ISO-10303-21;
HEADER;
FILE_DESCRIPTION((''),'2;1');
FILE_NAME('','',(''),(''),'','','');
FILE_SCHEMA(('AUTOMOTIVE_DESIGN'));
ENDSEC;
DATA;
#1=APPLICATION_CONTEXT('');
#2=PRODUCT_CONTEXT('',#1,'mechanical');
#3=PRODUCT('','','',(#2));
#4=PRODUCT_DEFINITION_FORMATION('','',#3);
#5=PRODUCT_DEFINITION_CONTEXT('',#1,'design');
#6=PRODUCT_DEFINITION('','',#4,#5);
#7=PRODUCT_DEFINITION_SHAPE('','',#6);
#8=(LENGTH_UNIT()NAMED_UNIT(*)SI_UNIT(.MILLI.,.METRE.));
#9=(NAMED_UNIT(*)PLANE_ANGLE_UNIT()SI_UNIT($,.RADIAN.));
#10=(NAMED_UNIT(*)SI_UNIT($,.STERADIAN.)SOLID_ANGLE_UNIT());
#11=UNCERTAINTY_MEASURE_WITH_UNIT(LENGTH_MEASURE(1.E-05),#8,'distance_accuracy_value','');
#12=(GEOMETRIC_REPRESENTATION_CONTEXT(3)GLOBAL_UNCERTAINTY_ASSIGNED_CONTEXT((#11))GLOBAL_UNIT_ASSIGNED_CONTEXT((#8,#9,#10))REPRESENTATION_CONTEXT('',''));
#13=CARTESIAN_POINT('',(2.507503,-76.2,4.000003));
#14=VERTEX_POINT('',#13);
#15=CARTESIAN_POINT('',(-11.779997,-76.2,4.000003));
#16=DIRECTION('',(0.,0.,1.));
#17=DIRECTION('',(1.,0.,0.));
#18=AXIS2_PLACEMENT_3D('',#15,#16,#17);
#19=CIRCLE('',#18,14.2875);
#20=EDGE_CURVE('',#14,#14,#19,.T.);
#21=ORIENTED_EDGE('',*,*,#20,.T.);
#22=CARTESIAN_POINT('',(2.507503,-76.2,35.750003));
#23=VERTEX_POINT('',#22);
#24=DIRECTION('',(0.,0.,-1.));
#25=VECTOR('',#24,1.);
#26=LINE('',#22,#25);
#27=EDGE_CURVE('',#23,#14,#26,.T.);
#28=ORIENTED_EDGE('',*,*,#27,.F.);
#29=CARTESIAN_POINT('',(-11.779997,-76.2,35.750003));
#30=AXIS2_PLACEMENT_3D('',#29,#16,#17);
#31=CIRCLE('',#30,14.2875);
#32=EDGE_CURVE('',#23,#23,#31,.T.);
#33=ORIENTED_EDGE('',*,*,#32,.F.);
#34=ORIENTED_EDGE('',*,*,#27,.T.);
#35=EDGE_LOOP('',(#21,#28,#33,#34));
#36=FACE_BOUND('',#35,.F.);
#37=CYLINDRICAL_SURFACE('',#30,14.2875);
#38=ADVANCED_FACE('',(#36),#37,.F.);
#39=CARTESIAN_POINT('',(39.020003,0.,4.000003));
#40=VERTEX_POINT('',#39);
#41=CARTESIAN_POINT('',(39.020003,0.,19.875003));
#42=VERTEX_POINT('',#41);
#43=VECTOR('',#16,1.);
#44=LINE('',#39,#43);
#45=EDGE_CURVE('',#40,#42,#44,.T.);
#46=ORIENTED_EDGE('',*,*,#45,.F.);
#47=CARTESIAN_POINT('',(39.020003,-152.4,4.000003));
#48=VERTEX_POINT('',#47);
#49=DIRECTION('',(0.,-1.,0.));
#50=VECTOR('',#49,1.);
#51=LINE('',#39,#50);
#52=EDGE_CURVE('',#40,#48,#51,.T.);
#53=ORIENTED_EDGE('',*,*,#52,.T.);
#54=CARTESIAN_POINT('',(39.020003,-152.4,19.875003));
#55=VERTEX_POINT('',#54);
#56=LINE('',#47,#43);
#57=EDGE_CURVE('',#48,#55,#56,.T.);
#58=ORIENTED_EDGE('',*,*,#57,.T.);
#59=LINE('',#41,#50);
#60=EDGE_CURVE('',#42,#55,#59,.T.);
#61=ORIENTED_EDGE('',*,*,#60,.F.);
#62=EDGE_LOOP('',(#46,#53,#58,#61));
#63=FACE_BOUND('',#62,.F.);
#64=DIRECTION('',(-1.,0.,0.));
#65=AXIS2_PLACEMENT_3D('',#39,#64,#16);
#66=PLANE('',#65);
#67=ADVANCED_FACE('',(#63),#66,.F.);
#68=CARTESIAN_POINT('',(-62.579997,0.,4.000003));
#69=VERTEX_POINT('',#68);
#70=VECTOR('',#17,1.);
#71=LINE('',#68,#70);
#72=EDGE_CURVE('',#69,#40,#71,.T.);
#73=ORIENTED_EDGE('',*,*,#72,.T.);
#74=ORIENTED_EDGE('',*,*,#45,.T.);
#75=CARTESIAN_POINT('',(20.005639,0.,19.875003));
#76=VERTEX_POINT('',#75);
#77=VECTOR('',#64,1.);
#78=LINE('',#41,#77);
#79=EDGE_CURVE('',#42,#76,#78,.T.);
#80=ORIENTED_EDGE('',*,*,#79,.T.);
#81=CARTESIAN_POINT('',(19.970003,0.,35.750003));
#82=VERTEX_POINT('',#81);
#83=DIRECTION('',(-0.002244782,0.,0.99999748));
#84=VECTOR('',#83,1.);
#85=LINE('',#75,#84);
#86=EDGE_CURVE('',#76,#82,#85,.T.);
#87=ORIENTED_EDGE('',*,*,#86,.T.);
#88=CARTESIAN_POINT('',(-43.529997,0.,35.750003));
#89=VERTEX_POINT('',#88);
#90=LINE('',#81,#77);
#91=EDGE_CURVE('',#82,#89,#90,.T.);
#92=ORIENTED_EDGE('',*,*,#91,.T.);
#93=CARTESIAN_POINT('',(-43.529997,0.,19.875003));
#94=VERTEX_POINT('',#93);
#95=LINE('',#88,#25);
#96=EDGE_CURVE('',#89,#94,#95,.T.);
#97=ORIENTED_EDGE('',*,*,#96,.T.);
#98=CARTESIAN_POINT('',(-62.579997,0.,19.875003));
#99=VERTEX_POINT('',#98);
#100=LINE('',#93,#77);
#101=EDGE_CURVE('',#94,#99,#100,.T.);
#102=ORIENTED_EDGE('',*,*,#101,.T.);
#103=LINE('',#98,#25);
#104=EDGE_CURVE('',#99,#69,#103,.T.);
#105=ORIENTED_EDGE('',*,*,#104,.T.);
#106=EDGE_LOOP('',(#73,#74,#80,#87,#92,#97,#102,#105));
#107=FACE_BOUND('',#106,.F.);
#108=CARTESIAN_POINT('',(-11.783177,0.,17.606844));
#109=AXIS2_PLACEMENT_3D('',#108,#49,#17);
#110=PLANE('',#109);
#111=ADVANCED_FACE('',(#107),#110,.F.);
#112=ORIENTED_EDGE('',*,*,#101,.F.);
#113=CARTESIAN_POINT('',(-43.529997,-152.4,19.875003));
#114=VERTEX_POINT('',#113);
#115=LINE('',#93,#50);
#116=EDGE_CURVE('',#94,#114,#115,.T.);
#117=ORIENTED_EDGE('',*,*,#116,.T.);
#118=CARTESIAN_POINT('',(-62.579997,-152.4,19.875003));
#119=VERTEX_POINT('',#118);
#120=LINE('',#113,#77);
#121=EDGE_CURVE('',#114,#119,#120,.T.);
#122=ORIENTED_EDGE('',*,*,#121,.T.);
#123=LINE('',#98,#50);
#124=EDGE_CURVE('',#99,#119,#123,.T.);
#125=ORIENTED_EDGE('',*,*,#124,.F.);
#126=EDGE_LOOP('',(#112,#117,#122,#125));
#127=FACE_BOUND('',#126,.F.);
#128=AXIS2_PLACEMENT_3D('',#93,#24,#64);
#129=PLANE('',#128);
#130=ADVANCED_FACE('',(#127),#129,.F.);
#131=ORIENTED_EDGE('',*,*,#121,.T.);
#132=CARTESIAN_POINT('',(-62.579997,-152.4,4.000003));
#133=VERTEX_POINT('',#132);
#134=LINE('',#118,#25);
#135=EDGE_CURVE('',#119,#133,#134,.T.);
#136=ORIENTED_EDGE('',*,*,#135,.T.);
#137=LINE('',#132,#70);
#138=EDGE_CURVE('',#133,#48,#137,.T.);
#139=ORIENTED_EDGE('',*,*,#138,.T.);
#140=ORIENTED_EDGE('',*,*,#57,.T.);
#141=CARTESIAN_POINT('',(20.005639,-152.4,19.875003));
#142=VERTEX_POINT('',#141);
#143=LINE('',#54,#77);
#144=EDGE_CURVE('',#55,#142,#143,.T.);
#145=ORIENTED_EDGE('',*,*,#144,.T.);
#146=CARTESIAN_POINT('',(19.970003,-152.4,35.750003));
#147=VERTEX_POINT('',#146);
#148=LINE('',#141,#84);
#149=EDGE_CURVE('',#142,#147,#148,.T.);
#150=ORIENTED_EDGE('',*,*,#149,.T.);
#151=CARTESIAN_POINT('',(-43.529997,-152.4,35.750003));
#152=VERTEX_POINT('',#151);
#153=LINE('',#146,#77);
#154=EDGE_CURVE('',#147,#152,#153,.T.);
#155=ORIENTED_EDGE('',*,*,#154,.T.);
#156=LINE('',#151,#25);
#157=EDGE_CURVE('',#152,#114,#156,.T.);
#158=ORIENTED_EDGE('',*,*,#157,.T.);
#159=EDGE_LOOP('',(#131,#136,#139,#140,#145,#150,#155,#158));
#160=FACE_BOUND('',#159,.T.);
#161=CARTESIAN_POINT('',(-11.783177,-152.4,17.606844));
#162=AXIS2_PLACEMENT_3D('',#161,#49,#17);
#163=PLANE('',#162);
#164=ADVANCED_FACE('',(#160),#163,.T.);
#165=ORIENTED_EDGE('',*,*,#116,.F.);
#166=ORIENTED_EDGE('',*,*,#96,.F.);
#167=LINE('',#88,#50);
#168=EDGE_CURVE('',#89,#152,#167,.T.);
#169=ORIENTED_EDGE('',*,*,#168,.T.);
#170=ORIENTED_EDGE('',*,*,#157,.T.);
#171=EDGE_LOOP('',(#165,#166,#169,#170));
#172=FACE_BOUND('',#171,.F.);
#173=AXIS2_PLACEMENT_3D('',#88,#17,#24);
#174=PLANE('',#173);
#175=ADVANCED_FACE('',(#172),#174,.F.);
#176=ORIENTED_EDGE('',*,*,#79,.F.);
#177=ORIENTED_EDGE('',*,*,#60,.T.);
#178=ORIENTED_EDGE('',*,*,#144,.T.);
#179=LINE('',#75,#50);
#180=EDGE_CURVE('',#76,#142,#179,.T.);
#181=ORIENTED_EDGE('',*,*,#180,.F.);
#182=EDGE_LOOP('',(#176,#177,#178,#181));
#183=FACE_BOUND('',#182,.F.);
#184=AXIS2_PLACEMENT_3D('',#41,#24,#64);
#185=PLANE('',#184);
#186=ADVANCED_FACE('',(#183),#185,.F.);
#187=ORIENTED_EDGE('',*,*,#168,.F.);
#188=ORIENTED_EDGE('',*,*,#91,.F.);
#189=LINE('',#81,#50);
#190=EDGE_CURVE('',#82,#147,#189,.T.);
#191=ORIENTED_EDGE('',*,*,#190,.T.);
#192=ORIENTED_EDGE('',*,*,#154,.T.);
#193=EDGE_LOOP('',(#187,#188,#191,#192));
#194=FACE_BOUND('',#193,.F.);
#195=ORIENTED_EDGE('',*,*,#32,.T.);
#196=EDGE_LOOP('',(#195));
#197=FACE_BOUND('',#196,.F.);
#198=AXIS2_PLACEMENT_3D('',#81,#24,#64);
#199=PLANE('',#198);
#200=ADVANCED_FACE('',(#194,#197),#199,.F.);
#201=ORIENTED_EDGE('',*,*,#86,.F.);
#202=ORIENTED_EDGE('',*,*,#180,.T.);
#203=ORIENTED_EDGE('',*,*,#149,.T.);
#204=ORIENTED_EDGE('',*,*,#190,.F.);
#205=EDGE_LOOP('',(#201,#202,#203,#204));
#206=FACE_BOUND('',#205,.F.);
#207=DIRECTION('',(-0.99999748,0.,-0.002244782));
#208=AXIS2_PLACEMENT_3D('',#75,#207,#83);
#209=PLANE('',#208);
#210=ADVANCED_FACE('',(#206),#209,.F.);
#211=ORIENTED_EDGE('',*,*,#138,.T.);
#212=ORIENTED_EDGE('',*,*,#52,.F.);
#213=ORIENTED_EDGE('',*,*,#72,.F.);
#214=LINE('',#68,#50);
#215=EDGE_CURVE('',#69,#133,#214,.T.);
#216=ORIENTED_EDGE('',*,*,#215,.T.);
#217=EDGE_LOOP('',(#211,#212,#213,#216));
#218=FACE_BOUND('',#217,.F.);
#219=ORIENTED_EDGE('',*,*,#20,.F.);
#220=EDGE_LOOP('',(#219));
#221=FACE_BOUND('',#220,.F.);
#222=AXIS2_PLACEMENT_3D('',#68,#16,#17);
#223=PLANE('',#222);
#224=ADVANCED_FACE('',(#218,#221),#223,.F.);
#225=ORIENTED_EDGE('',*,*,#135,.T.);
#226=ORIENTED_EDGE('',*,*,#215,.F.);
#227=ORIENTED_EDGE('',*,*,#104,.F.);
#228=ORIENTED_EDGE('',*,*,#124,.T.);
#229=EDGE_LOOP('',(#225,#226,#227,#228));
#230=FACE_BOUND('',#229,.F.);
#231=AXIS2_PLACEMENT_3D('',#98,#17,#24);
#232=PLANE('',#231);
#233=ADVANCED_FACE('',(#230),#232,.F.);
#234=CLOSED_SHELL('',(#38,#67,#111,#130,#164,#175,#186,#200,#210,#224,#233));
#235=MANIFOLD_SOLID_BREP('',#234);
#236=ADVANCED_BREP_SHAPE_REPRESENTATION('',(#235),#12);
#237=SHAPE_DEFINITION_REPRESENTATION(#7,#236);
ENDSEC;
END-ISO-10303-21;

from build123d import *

# Parameters (mm, degrees)
F1_DEPTH = 152.4
F2_R     = 14.2875
F3_DEPTH = 31.751


with BuildPart() as f1:
    # F0 (on Front) → F1 (new body)
    with BuildSketch(Plane.XZ):
        Polygon((20.005639, 19.875003), (19.970003, 35.750003), (-43.529997, 35.750003), (-43.529997, 19.875003), (-62.579997, 19.875003), (-62.579997, 4.000003), (39.020003, 4.000003), (39.020003, 19.875003), align=None)
    extrude(amount=F1_DEPTH)

    # F2 (on face) → F3 (cut, through all)
    with BuildSketch(Plane.XY.offset(35.750003)):
        with Locations((-11.779997, -76.2)):
            Circle(F2_R)
    extrude(amount=-F3_DEPTH, mode=Mode.SUBTRACT)


solid = f1.part
